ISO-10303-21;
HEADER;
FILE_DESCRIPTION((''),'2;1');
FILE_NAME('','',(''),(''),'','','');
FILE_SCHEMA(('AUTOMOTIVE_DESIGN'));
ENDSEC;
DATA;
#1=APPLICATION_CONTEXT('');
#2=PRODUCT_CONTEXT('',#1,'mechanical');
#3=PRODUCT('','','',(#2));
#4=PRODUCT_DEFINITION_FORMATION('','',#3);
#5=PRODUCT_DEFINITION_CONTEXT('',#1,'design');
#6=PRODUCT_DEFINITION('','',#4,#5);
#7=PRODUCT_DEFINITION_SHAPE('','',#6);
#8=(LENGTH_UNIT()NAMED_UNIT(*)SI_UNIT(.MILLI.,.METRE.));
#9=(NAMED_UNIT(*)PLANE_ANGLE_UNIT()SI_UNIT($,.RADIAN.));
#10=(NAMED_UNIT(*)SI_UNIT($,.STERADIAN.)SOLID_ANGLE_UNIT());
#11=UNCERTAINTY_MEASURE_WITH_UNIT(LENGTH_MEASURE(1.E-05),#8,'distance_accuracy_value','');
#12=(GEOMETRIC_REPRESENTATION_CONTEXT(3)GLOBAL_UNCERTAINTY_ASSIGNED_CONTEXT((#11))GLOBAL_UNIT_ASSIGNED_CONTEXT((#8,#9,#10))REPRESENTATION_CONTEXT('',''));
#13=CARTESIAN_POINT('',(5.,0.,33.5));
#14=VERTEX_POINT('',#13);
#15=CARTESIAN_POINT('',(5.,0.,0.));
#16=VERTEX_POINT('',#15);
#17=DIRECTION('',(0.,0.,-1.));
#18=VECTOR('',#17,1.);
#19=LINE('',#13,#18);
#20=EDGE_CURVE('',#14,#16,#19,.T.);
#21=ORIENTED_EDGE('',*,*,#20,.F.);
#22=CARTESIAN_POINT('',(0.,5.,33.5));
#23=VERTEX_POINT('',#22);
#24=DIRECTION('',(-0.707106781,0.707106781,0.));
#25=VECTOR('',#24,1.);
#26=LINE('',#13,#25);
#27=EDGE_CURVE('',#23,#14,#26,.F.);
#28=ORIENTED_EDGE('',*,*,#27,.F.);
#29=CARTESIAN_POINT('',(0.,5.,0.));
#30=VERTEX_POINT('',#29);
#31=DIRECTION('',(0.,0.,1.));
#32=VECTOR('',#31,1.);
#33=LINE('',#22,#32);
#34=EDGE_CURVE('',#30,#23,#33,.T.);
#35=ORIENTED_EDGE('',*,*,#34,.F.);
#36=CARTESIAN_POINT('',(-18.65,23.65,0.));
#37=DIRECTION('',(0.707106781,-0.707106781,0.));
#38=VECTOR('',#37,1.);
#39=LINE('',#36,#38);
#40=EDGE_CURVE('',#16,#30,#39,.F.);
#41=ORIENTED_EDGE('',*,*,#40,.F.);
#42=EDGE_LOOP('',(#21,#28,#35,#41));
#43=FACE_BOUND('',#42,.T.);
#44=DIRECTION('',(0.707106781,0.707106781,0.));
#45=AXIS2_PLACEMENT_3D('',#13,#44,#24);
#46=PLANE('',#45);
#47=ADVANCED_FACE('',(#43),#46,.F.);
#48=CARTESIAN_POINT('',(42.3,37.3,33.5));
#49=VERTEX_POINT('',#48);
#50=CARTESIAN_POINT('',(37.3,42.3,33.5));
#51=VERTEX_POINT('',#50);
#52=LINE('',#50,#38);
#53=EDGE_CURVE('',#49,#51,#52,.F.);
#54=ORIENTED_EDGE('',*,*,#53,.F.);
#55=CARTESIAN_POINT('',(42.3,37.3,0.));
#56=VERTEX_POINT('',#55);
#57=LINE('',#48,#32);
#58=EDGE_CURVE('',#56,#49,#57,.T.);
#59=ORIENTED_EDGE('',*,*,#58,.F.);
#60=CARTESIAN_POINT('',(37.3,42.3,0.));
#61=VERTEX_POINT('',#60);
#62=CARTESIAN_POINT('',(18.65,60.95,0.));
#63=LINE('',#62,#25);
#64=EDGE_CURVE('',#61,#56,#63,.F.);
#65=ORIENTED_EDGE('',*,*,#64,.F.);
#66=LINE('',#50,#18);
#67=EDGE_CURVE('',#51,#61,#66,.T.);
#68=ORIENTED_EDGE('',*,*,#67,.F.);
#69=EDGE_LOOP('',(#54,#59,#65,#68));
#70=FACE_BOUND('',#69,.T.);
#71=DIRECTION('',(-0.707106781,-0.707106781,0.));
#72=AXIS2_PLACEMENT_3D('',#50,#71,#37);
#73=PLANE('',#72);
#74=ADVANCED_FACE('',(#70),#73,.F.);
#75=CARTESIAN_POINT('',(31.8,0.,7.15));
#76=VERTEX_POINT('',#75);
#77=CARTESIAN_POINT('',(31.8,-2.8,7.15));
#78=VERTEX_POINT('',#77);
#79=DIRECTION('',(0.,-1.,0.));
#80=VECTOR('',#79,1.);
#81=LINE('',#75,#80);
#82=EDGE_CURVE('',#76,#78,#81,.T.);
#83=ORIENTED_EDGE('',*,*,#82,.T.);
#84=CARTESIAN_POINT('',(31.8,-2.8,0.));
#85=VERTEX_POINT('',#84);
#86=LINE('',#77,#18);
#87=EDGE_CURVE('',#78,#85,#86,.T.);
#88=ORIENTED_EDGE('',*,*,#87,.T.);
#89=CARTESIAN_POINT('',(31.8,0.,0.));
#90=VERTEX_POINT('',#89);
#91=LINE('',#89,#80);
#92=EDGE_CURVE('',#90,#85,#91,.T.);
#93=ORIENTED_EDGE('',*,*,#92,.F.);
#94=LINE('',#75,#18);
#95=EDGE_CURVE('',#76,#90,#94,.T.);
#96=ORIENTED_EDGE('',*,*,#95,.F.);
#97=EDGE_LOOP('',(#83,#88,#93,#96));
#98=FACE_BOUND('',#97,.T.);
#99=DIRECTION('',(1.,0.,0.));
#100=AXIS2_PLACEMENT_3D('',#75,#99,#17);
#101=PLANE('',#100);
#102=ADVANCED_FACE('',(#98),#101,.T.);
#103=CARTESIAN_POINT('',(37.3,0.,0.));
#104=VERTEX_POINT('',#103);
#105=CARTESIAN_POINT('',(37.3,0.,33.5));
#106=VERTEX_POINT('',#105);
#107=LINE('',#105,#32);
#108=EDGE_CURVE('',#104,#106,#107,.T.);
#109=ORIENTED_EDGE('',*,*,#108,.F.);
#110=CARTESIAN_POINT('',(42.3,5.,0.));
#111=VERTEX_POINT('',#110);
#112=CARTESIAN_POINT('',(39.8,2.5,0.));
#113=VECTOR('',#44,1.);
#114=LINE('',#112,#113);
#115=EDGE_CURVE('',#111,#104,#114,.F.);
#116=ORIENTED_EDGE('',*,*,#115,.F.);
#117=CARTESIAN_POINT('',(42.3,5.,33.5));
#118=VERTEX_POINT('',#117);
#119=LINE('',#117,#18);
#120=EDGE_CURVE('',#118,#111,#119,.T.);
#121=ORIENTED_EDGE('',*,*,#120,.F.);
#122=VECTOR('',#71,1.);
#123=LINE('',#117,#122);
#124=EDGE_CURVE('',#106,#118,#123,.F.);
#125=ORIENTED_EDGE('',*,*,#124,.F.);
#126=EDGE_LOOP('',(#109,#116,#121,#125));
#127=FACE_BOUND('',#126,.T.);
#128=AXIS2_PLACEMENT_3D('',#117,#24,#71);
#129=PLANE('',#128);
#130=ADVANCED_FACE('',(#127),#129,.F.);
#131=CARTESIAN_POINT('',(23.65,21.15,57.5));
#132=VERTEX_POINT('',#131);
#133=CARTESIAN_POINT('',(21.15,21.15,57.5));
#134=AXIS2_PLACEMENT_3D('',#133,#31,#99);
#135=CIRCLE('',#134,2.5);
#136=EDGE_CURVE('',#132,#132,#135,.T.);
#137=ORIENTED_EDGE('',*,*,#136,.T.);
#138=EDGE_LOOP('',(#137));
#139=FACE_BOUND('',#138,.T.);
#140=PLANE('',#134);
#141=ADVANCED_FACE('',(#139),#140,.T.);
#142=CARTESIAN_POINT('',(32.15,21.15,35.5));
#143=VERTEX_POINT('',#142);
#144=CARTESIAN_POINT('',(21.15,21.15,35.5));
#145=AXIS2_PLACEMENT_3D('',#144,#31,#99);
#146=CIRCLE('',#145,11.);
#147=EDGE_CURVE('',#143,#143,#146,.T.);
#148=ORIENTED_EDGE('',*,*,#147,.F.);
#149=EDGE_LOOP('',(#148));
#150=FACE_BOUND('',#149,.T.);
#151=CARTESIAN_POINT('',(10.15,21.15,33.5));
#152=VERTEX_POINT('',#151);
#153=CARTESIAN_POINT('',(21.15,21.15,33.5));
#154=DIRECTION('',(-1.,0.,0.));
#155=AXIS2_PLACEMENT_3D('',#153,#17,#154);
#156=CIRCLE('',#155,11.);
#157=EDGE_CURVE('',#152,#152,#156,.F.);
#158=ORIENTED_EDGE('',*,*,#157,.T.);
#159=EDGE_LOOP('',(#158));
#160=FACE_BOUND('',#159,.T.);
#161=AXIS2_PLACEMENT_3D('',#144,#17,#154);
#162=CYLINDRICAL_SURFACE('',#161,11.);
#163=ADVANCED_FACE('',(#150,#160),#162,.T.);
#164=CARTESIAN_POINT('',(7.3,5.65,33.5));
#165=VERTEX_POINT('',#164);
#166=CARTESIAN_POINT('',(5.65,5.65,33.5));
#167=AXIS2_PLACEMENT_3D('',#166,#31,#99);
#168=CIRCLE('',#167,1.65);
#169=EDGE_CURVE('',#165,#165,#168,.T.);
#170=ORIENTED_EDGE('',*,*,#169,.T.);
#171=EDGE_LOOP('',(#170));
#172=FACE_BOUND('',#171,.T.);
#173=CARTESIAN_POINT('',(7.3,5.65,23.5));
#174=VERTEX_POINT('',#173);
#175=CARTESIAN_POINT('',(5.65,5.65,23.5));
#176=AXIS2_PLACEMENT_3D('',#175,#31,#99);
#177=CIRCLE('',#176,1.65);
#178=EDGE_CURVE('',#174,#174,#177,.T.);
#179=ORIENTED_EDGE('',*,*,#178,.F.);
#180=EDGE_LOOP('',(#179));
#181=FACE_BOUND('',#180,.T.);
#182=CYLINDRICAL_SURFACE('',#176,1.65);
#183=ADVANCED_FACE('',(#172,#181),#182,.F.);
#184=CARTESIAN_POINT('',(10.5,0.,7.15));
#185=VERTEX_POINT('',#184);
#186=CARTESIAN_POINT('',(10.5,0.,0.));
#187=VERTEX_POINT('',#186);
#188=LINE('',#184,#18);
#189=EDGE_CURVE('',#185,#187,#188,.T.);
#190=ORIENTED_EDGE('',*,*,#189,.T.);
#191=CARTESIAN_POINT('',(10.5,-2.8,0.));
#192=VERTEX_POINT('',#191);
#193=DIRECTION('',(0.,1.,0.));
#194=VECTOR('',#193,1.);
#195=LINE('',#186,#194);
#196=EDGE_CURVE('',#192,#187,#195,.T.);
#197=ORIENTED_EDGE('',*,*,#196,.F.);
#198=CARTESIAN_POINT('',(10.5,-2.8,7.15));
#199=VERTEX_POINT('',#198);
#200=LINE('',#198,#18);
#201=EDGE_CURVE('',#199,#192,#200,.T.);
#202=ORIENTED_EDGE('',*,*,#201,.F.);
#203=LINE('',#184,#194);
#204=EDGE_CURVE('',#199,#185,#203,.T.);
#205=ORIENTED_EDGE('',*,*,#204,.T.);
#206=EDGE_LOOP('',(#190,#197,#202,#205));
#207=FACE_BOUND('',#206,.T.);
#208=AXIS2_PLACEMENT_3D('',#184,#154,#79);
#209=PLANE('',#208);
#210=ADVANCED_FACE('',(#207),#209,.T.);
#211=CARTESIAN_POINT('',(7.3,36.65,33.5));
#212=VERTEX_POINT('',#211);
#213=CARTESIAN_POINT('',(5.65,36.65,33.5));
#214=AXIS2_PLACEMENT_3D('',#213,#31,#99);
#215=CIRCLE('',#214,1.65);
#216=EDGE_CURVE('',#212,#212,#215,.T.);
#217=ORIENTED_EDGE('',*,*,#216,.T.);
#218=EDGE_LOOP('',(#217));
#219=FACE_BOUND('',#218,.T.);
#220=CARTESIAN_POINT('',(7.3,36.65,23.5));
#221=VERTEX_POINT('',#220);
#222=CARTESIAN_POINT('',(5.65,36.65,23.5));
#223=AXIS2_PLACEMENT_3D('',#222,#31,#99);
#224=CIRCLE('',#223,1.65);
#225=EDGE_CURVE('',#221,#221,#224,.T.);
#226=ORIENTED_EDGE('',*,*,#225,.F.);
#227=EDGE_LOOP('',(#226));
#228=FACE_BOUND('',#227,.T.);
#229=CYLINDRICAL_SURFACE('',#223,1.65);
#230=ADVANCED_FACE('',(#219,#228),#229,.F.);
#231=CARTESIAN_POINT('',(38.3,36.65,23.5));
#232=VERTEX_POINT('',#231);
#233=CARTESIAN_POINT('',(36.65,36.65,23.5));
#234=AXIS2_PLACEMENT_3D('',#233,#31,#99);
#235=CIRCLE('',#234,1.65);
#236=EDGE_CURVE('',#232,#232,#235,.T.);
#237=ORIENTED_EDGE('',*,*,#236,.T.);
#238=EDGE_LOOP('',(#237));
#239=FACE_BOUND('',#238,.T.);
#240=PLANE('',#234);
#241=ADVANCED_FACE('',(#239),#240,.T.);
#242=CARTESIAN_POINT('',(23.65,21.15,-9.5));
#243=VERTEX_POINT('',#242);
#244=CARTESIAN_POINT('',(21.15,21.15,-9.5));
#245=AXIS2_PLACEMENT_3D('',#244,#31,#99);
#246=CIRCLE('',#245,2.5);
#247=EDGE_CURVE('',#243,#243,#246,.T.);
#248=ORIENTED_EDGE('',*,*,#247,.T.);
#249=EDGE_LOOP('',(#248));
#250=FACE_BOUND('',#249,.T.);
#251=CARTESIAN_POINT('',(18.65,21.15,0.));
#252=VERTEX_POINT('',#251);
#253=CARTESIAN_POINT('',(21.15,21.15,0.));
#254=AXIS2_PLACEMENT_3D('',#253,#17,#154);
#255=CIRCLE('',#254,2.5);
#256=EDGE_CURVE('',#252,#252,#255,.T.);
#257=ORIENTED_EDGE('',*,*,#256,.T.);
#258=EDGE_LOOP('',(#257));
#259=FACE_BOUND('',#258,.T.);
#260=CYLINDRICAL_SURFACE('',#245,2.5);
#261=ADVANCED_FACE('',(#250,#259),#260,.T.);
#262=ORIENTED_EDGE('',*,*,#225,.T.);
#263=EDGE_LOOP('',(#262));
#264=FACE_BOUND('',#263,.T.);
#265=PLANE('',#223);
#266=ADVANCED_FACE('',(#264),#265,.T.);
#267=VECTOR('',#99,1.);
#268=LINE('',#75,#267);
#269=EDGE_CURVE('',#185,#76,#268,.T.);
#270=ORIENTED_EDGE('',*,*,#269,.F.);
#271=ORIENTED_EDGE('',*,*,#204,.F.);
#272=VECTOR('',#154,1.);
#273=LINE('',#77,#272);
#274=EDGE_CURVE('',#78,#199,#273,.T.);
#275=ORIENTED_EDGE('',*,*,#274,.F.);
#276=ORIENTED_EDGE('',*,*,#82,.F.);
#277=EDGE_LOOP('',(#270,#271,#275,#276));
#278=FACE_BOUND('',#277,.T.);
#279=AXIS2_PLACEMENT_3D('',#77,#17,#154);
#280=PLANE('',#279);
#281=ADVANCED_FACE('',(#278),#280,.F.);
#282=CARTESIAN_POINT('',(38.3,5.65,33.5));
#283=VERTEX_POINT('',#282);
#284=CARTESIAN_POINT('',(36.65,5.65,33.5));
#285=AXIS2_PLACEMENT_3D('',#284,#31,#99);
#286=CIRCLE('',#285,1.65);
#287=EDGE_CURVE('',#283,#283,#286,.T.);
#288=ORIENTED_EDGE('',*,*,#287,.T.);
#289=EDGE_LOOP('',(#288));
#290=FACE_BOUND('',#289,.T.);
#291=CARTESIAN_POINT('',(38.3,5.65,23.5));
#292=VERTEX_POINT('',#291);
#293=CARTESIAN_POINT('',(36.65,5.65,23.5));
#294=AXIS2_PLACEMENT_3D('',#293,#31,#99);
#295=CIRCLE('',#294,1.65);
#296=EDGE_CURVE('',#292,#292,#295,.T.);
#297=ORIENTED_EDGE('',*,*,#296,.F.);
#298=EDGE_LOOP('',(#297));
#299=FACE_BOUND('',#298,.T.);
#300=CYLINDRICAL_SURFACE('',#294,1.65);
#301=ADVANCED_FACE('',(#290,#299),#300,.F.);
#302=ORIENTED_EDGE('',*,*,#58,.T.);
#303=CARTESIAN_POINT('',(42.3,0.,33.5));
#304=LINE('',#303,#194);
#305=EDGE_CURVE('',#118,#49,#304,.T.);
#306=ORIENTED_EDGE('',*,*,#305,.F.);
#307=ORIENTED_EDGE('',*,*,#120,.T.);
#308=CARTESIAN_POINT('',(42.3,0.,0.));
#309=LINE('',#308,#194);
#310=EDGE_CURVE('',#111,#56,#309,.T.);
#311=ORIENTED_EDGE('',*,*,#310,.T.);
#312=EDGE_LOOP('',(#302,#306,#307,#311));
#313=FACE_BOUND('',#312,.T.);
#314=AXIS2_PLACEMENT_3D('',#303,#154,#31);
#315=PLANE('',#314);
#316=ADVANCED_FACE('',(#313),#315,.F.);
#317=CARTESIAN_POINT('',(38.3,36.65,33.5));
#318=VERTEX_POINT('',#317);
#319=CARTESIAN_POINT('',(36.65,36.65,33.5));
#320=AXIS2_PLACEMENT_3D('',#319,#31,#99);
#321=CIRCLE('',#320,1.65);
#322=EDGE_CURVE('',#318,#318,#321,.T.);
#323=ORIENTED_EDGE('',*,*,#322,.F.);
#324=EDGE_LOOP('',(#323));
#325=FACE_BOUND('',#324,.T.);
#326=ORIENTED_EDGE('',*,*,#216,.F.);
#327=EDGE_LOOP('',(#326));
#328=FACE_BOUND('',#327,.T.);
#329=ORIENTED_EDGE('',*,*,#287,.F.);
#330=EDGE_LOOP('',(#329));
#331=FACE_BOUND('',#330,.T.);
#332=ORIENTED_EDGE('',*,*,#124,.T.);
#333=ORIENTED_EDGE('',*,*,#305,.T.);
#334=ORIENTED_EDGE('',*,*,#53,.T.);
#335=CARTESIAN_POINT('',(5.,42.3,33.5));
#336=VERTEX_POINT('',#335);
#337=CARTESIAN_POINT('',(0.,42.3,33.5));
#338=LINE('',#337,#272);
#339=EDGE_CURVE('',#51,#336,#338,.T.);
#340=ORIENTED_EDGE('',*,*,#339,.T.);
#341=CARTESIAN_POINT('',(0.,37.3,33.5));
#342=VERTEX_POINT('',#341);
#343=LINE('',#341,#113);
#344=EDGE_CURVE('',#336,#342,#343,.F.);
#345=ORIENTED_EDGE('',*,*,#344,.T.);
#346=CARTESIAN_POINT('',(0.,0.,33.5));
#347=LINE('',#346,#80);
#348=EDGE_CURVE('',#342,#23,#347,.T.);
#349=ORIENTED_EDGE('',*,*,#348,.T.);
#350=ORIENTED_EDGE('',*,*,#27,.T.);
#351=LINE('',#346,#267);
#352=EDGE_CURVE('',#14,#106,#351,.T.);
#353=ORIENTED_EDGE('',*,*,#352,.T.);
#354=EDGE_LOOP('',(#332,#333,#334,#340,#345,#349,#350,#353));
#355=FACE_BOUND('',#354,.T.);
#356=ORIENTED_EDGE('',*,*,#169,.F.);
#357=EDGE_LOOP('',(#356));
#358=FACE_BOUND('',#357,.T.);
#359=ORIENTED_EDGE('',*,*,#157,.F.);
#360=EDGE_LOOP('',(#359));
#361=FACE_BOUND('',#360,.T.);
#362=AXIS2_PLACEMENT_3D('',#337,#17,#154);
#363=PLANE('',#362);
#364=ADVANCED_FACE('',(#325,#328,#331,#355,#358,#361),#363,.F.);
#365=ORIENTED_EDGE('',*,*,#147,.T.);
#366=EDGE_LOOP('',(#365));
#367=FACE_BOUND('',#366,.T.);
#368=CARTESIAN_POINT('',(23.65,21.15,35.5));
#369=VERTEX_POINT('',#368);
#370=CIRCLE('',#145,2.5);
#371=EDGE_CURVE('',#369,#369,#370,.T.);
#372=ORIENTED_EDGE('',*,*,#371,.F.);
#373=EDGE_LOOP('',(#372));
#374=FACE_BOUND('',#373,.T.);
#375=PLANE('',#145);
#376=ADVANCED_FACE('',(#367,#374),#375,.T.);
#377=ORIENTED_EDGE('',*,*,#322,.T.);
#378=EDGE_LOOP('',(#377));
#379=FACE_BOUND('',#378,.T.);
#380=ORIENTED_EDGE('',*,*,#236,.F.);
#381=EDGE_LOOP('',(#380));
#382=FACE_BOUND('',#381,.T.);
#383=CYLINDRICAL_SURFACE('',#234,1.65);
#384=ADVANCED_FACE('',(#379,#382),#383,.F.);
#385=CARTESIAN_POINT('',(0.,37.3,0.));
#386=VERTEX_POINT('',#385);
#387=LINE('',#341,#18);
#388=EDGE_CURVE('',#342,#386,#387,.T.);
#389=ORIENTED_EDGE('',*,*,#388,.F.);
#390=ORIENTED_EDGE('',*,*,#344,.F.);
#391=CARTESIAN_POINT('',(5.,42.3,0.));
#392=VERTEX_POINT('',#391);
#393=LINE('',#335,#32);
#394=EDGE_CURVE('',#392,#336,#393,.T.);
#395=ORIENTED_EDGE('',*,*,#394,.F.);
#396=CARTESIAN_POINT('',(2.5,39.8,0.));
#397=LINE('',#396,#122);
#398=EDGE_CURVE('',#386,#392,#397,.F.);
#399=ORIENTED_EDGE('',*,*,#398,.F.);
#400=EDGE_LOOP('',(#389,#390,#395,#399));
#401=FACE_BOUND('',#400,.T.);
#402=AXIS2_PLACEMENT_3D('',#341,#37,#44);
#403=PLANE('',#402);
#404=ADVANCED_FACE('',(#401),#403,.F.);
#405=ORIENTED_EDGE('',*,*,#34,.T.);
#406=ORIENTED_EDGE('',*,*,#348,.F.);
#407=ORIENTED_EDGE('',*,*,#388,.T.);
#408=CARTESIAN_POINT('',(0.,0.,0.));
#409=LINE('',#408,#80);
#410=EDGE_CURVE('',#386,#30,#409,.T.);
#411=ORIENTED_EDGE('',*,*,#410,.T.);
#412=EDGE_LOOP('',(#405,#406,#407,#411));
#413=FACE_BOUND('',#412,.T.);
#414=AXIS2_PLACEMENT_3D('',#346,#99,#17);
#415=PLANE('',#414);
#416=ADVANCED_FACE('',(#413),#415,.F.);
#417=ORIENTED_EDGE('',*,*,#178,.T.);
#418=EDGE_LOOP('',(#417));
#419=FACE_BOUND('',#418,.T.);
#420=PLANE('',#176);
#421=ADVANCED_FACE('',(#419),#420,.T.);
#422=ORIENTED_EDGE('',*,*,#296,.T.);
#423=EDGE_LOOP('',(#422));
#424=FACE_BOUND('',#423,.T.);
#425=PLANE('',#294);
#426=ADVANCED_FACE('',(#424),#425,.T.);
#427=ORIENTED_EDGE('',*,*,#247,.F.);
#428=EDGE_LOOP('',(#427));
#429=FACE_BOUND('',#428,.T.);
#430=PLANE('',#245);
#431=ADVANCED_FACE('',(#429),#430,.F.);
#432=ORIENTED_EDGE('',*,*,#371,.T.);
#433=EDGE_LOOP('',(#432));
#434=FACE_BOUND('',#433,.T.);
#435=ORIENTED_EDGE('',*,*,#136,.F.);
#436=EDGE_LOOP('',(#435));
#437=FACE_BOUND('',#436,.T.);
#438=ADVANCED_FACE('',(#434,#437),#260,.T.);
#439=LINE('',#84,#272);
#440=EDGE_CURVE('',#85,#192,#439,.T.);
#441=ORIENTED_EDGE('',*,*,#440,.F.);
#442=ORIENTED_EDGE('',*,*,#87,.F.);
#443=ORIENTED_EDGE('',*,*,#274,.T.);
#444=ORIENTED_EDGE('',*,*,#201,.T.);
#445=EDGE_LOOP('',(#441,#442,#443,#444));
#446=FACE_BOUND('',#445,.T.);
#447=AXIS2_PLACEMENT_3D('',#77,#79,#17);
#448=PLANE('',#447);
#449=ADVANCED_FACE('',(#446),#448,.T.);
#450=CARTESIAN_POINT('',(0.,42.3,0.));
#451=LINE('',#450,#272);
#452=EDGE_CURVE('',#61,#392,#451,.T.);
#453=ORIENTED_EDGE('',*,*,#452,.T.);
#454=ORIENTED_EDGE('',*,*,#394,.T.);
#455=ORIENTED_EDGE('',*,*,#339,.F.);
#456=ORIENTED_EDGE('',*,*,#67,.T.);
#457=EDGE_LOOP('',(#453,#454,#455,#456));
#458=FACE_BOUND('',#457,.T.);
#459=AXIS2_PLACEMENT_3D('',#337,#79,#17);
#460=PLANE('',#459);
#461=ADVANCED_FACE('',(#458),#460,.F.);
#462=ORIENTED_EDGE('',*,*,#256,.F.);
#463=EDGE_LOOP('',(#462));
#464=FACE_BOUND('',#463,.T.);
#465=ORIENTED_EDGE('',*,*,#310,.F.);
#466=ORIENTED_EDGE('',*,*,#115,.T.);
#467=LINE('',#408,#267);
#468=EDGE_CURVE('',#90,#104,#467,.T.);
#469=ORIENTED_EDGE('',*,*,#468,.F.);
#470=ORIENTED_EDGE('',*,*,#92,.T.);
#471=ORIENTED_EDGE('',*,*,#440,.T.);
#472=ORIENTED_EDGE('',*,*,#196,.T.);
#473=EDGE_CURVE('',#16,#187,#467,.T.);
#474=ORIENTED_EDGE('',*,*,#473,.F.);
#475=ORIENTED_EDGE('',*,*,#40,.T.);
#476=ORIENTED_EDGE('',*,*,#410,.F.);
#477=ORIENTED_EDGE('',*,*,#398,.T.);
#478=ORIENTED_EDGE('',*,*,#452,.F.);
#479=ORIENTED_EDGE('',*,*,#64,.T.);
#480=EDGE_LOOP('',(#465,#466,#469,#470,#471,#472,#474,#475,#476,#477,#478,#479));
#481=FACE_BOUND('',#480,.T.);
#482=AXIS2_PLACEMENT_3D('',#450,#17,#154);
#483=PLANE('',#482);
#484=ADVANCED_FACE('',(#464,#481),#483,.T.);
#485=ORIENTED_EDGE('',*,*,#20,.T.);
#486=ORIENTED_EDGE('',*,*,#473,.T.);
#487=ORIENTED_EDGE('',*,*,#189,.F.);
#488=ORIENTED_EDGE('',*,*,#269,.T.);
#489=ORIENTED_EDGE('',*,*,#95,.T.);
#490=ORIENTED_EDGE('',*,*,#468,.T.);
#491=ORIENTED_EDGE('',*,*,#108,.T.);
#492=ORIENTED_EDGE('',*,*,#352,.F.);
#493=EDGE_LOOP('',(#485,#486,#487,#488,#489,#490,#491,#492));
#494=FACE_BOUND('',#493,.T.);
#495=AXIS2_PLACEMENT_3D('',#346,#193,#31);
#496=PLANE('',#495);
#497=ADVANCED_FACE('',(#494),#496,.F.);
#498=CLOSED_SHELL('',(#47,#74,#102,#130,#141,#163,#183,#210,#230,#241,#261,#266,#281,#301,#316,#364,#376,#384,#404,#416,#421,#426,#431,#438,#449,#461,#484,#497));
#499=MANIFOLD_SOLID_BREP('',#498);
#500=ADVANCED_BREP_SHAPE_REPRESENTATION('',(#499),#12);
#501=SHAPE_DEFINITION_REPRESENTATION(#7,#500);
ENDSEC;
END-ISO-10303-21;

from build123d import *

# Parameters (mm, degrees)
SKETCH1_W                = 42.3
SKETCH1_H                = 42.3
BOSS_EXTRUDE1_DEPTH      = 33.5
SKETCH2_R                = 1.65
CUT_EXTRUDE1_DEPTH       = 10
SKETCH3_R                = 11
BOSS_EXTRUDE2_DEPTH      = 2
SKETCH4_R                = 2.5
BOSS_EXTRUDE3_DEPTH      = 22
BOSS_EXTRUDE3_DEPTH_BACK = 45
SKETCH5_W                = 21.3
SKETCH5_H                = 2.8
BOSS_EXTRUDE4_DEPTH      = 7.15
CHAMFER1_SIZE            = 5


with BuildPart() as part:
    # Sketch1 → Boss-Extrude1 (new body)
    with BuildSketch(Plane.XY):
        with Locations((21.15, 21.15)):
            Rectangle(SKETCH1_W, SKETCH1_H)
    extrude(amount=BOSS_EXTRUDE1_DEPTH)

    # Sketch2 → Cut-Extrude1 (cut)
    with BuildSketch(Plane.XY.offset(33.5)):
        with Locations((5.65, 36.65)):
            Circle(SKETCH2_R)
        with Locations((36.65, 36.65)):
            Circle(SKETCH2_R)
        with Locations((5.65, 5.65)):
            Circle(SKETCH2_R)
        with Locations((36.65, 5.65)):
            Circle(SKETCH2_R)
    extrude(amount=-CUT_EXTRUDE1_DEPTH, mode=Mode.SUBTRACT)

    # Sketch3 → Boss-Extrude2 (add)
    with BuildSketch(Plane.XY.offset(33.5)):
        with Locations((21.15, 21.15)):
            Circle(SKETCH3_R)
    extrude(amount=BOSS_EXTRUDE2_DEPTH)

    # Sketch4 → Boss-Extrude3 (add, two sides)
    with BuildSketch(Plane.XY.offset(35.5)) as boss_extrude3_sk:
        with Locations((21.15, 21.15)):
            Circle(SKETCH4_R)
    extrude(amount=BOSS_EXTRUDE3_DEPTH)
    extrude(boss_extrude3_sk.sketch, amount=-BOSS_EXTRUDE3_DEPTH_BACK)

    # Sketch5 → Boss-Extrude4 (add)
    with BuildSketch(Plane(origin=(0, 0, 0), x_dir=(-1, 0, 0), z_dir=(0, 0, -1))):
        with Locations((-21.15, -1.4)):
            Rectangle(SKETCH5_W, SKETCH5_H)
    extrude(amount=-BOSS_EXTRUDE4_DEPTH)

    # Chamfer1
    chamfer1_edges = [part.edges().sort_by_distance(p)[0] for p in [
        (0, 0, 16.75),
        (42.3, 0, 16.75),
        (42.3, 42.3, 16.75),
        (0, 42.3, 16.75),
    ]]
    chamfer(chamfer1_edges, length=CHAMFER1_SIZE)


solid = part.part
